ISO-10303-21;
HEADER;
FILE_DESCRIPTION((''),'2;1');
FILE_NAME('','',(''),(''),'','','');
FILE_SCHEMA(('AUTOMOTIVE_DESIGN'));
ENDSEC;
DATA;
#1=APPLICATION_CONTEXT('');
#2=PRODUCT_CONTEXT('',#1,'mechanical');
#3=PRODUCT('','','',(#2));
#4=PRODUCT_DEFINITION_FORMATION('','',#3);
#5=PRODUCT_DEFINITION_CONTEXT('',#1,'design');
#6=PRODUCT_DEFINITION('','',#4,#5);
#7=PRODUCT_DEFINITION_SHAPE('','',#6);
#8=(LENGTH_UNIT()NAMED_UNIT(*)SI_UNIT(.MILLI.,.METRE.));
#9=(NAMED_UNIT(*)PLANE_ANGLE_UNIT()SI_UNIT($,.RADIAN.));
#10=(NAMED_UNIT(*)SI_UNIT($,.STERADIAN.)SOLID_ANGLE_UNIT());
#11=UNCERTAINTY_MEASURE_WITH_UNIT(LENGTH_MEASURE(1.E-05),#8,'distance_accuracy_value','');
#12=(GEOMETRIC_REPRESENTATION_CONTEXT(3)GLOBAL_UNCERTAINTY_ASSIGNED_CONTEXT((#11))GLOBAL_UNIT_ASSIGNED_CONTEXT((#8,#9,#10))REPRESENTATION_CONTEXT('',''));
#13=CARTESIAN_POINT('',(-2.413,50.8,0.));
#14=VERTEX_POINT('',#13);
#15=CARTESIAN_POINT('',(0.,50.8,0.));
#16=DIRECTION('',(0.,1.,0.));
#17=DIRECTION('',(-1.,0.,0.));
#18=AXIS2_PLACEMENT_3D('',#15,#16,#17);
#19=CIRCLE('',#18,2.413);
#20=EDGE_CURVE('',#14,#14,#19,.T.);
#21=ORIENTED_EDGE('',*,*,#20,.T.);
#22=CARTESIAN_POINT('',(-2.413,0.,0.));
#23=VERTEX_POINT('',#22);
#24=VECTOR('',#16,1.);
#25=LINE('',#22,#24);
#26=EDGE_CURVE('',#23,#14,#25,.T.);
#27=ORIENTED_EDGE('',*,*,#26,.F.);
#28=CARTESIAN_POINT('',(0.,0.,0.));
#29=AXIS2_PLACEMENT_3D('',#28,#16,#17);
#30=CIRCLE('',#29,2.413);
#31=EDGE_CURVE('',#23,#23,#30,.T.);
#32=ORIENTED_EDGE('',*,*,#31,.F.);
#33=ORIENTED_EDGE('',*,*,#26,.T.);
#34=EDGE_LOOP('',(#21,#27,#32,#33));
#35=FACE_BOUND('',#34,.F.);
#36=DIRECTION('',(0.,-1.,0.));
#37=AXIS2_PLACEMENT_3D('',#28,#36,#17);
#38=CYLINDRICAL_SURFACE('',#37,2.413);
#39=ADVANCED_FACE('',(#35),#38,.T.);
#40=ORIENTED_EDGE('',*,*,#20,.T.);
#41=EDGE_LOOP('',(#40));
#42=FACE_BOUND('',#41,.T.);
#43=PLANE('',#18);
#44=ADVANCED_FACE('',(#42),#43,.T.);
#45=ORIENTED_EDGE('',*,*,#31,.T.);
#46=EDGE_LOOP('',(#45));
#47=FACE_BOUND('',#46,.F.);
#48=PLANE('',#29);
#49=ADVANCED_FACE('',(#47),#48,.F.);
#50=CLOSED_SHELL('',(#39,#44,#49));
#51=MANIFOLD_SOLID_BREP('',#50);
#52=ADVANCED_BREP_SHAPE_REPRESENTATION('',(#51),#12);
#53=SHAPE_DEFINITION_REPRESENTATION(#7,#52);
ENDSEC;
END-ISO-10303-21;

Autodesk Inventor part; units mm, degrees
ref_plane "YZ Plane" through (0, 0, 0) normal (1, 0, 0) x (0, 1, 0)
ref_plane "XZ Plane" through (0, 0, 0) normal (0, 1, 0) x (-1, 0, 0)
ref_plane "XY Plane" through (0, 0, 0) normal (0, 0, 1) x (1, 0, 0)
sketch "Sketch1" plane through (0, 0, 0) normal (0, 1, 0) x (-1, 0, 0)
  circle A0 centre (0, 0) radius 2.413
  dimension "d0" = 4.826
extrude "Extrusion1" add sketch "Sketch1" along normal blind 50.8
properties part number "Axle 0.190 in 3 in length" material "Steel"
